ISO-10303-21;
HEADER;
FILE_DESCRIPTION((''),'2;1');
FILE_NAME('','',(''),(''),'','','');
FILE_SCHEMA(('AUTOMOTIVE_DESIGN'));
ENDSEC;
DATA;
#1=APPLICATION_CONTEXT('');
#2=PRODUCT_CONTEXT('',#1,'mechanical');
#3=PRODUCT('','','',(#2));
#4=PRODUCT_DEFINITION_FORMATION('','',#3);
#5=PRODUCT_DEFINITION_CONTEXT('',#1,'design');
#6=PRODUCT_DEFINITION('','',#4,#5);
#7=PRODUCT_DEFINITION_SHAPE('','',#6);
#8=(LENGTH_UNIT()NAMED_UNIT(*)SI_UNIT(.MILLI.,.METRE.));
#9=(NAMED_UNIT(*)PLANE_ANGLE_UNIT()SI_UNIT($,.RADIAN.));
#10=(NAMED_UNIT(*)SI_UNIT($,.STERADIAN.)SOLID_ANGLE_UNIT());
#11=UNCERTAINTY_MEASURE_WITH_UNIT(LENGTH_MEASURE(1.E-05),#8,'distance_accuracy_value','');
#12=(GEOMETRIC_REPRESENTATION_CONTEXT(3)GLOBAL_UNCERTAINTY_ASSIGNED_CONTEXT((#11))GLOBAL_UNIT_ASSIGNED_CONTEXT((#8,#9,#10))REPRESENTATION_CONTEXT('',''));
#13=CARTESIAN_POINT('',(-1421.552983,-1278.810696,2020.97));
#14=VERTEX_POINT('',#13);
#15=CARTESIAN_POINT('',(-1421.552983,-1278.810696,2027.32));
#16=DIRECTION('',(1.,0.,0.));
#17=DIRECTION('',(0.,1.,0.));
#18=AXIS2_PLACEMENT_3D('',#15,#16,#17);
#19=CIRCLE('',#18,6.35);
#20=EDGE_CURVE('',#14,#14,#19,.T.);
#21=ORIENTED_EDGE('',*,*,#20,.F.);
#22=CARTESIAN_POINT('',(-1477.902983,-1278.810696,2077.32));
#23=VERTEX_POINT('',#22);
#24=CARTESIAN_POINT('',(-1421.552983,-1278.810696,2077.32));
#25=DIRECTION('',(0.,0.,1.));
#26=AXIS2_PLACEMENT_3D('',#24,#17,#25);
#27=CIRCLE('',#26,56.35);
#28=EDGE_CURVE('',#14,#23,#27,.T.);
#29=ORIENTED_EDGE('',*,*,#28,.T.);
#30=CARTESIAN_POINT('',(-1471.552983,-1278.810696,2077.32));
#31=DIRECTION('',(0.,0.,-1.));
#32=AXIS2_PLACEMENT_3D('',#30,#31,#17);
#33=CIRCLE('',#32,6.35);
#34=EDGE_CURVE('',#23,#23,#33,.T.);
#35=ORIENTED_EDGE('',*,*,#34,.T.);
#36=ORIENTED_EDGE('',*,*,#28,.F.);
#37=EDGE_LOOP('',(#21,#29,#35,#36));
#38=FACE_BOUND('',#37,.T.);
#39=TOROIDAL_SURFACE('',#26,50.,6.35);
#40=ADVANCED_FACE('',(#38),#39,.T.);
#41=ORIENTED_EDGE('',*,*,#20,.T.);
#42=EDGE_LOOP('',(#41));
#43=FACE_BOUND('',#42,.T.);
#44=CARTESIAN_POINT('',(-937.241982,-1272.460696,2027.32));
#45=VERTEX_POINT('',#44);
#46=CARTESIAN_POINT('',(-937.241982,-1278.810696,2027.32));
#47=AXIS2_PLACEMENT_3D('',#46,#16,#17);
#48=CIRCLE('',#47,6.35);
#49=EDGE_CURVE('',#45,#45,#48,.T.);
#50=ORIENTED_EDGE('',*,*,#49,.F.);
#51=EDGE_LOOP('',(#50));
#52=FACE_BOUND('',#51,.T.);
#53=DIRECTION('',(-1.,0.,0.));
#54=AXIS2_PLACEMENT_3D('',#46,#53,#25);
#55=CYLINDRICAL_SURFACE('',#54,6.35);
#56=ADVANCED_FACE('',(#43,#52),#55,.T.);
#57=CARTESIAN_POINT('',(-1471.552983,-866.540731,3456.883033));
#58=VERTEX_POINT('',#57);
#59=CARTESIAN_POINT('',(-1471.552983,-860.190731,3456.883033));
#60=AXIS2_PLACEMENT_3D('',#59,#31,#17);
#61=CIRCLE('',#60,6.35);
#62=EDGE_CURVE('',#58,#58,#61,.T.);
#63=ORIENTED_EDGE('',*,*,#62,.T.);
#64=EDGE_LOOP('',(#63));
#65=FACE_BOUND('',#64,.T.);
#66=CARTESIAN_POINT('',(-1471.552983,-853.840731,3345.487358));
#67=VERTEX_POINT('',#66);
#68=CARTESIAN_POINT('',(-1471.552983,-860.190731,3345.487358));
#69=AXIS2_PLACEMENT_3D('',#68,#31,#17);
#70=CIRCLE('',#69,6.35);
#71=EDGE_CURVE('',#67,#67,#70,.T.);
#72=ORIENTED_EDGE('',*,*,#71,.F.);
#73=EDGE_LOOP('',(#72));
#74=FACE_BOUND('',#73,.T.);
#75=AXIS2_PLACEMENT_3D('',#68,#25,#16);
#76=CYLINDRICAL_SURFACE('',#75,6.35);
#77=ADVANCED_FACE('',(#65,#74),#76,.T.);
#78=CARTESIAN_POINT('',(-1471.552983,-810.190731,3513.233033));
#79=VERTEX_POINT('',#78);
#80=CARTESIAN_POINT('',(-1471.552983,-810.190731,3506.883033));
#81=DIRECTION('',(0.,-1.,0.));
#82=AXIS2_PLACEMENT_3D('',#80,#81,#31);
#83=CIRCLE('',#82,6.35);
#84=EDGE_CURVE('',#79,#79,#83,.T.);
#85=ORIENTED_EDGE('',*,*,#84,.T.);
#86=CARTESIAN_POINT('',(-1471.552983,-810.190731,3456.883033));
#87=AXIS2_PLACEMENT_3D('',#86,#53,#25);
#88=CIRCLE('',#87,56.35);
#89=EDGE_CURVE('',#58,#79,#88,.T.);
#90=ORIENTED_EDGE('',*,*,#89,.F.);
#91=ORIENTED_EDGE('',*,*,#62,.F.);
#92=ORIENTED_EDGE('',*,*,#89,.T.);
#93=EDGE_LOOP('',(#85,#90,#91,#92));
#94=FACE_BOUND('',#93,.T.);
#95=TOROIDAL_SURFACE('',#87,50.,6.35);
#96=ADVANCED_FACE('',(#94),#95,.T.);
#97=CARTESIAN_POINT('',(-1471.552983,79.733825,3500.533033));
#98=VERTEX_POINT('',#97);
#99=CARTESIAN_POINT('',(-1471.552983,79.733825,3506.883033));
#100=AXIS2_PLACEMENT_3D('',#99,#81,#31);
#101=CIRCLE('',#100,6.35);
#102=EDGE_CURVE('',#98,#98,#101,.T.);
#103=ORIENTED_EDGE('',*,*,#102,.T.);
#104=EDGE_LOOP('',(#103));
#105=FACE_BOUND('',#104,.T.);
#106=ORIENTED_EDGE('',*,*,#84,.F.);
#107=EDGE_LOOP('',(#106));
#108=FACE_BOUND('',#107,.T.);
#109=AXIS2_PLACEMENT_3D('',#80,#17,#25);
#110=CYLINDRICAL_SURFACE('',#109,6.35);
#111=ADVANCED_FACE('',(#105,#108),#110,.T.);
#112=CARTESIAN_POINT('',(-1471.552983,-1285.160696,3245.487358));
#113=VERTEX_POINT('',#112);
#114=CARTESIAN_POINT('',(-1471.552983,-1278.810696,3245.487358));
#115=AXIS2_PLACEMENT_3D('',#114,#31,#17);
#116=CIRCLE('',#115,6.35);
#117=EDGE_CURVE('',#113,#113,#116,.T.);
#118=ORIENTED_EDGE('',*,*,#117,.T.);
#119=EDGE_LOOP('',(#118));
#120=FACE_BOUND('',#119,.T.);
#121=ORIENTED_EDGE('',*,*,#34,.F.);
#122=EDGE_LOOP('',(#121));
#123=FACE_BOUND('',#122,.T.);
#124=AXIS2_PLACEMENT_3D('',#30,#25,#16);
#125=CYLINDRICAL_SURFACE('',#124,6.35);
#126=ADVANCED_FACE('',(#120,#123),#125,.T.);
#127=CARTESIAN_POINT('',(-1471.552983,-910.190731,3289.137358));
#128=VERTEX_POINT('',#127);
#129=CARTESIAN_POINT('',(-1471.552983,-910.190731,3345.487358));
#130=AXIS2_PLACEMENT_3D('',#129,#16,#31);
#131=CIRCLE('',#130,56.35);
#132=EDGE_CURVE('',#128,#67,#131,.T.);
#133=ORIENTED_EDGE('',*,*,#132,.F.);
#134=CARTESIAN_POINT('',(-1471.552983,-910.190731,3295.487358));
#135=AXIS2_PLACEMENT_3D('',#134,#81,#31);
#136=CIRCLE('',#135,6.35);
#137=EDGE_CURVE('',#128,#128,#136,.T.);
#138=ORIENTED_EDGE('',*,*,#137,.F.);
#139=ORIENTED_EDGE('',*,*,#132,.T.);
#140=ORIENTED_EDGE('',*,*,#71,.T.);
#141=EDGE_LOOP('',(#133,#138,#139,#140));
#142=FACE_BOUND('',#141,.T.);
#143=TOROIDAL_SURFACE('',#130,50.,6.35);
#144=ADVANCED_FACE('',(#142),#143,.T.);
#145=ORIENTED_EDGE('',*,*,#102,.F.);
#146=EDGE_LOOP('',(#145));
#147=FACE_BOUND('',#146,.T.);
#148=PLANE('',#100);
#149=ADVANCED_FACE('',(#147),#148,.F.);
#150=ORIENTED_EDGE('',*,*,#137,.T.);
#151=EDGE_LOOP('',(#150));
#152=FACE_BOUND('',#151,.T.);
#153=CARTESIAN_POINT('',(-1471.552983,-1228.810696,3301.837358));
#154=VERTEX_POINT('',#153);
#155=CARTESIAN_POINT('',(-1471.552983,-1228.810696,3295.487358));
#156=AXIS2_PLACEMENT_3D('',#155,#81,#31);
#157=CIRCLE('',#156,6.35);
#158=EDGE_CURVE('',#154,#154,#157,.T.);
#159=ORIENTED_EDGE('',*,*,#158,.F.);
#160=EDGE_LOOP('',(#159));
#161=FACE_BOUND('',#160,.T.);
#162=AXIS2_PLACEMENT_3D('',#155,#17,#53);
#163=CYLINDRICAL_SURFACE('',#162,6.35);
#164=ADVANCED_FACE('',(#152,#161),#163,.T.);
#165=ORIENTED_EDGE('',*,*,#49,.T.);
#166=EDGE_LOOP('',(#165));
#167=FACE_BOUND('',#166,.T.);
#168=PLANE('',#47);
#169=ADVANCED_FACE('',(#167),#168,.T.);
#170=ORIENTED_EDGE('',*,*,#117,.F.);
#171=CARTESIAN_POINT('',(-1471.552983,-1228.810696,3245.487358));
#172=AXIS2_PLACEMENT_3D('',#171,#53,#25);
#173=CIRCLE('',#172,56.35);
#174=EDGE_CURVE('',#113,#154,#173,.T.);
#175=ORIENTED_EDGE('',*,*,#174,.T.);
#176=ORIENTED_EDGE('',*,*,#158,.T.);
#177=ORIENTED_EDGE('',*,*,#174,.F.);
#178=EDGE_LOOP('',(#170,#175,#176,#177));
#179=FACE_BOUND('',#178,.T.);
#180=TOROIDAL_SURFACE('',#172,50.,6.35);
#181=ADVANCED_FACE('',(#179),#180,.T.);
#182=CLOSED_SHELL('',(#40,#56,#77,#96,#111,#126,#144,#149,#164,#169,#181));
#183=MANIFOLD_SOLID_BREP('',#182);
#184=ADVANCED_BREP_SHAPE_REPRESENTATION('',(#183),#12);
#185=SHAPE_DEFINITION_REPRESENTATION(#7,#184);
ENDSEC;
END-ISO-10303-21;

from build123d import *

# Parameters (mm, degrees)
BARRER1_PROFILE_R = 6.35


with BuildPart() as part:
    # Barrer1: sweep along a curve in space
    with BuildLine() as barrer1_path:
        Line((-937.241981619, -1278.810695772, 2027.32), (-1421.552983389, -1278.810695772, 2027.32))
        ThreePointArc((-1421.552983389, -1278.810695772, 2027.32), (-1456.908322449, -1278.810695772, 2041.964660941), (-1471.552983389, -1278.810695772, 2077.32))
        Line((-1471.552983389, -1278.810695772, 2077.32), (-1471.552983389, -1278.810695772, 3245.487357808))
        ThreePointArc((-1471.552983389, -1278.810695772, 3245.487357808), (-1471.552983389, -1264.166034831, 3280.842696867), (-1471.552983389, -1228.810695772, 3295.487357808))
        Line((-1471.552983389, -1228.810695772, 3295.487357808), (-1471.552983389, -910.190731412, 3295.487357808))
        ThreePointArc((-1471.552983389, -910.190731412, 3295.487357808), (-1471.552983389, -874.835392353, 3310.132018749), (-1471.552983389, -860.190731412, 3345.487357808))
        Line((-1471.552983389, -860.190731412, 3345.487357808), (-1471.552983389, -860.190731412, 3456.883033298))
        ThreePointArc((-1471.552983389, -860.190731412, 3456.883033298), (-1471.552983389, -845.546070472, 3492.238372357), (-1471.552983389, -810.190731412, 3506.883033298))
        Line((-1471.552983389, -810.190731412, 3506.883033298), (-1471.552983389, 79.733825002, 3506.883033298))
    # Barrer1 profile (on start of the path) → Barrer1 (sweep)
    with BuildSketch(Plane(origin=(-937.241981619, -1278.810695772, 2027.32), x_dir=(0, 0, -1), z_dir=(-1, 0, 0))):
        Circle(BARRER1_PROFILE_R)
    sweep(path=barrer1_path.line)


solid = part.part
